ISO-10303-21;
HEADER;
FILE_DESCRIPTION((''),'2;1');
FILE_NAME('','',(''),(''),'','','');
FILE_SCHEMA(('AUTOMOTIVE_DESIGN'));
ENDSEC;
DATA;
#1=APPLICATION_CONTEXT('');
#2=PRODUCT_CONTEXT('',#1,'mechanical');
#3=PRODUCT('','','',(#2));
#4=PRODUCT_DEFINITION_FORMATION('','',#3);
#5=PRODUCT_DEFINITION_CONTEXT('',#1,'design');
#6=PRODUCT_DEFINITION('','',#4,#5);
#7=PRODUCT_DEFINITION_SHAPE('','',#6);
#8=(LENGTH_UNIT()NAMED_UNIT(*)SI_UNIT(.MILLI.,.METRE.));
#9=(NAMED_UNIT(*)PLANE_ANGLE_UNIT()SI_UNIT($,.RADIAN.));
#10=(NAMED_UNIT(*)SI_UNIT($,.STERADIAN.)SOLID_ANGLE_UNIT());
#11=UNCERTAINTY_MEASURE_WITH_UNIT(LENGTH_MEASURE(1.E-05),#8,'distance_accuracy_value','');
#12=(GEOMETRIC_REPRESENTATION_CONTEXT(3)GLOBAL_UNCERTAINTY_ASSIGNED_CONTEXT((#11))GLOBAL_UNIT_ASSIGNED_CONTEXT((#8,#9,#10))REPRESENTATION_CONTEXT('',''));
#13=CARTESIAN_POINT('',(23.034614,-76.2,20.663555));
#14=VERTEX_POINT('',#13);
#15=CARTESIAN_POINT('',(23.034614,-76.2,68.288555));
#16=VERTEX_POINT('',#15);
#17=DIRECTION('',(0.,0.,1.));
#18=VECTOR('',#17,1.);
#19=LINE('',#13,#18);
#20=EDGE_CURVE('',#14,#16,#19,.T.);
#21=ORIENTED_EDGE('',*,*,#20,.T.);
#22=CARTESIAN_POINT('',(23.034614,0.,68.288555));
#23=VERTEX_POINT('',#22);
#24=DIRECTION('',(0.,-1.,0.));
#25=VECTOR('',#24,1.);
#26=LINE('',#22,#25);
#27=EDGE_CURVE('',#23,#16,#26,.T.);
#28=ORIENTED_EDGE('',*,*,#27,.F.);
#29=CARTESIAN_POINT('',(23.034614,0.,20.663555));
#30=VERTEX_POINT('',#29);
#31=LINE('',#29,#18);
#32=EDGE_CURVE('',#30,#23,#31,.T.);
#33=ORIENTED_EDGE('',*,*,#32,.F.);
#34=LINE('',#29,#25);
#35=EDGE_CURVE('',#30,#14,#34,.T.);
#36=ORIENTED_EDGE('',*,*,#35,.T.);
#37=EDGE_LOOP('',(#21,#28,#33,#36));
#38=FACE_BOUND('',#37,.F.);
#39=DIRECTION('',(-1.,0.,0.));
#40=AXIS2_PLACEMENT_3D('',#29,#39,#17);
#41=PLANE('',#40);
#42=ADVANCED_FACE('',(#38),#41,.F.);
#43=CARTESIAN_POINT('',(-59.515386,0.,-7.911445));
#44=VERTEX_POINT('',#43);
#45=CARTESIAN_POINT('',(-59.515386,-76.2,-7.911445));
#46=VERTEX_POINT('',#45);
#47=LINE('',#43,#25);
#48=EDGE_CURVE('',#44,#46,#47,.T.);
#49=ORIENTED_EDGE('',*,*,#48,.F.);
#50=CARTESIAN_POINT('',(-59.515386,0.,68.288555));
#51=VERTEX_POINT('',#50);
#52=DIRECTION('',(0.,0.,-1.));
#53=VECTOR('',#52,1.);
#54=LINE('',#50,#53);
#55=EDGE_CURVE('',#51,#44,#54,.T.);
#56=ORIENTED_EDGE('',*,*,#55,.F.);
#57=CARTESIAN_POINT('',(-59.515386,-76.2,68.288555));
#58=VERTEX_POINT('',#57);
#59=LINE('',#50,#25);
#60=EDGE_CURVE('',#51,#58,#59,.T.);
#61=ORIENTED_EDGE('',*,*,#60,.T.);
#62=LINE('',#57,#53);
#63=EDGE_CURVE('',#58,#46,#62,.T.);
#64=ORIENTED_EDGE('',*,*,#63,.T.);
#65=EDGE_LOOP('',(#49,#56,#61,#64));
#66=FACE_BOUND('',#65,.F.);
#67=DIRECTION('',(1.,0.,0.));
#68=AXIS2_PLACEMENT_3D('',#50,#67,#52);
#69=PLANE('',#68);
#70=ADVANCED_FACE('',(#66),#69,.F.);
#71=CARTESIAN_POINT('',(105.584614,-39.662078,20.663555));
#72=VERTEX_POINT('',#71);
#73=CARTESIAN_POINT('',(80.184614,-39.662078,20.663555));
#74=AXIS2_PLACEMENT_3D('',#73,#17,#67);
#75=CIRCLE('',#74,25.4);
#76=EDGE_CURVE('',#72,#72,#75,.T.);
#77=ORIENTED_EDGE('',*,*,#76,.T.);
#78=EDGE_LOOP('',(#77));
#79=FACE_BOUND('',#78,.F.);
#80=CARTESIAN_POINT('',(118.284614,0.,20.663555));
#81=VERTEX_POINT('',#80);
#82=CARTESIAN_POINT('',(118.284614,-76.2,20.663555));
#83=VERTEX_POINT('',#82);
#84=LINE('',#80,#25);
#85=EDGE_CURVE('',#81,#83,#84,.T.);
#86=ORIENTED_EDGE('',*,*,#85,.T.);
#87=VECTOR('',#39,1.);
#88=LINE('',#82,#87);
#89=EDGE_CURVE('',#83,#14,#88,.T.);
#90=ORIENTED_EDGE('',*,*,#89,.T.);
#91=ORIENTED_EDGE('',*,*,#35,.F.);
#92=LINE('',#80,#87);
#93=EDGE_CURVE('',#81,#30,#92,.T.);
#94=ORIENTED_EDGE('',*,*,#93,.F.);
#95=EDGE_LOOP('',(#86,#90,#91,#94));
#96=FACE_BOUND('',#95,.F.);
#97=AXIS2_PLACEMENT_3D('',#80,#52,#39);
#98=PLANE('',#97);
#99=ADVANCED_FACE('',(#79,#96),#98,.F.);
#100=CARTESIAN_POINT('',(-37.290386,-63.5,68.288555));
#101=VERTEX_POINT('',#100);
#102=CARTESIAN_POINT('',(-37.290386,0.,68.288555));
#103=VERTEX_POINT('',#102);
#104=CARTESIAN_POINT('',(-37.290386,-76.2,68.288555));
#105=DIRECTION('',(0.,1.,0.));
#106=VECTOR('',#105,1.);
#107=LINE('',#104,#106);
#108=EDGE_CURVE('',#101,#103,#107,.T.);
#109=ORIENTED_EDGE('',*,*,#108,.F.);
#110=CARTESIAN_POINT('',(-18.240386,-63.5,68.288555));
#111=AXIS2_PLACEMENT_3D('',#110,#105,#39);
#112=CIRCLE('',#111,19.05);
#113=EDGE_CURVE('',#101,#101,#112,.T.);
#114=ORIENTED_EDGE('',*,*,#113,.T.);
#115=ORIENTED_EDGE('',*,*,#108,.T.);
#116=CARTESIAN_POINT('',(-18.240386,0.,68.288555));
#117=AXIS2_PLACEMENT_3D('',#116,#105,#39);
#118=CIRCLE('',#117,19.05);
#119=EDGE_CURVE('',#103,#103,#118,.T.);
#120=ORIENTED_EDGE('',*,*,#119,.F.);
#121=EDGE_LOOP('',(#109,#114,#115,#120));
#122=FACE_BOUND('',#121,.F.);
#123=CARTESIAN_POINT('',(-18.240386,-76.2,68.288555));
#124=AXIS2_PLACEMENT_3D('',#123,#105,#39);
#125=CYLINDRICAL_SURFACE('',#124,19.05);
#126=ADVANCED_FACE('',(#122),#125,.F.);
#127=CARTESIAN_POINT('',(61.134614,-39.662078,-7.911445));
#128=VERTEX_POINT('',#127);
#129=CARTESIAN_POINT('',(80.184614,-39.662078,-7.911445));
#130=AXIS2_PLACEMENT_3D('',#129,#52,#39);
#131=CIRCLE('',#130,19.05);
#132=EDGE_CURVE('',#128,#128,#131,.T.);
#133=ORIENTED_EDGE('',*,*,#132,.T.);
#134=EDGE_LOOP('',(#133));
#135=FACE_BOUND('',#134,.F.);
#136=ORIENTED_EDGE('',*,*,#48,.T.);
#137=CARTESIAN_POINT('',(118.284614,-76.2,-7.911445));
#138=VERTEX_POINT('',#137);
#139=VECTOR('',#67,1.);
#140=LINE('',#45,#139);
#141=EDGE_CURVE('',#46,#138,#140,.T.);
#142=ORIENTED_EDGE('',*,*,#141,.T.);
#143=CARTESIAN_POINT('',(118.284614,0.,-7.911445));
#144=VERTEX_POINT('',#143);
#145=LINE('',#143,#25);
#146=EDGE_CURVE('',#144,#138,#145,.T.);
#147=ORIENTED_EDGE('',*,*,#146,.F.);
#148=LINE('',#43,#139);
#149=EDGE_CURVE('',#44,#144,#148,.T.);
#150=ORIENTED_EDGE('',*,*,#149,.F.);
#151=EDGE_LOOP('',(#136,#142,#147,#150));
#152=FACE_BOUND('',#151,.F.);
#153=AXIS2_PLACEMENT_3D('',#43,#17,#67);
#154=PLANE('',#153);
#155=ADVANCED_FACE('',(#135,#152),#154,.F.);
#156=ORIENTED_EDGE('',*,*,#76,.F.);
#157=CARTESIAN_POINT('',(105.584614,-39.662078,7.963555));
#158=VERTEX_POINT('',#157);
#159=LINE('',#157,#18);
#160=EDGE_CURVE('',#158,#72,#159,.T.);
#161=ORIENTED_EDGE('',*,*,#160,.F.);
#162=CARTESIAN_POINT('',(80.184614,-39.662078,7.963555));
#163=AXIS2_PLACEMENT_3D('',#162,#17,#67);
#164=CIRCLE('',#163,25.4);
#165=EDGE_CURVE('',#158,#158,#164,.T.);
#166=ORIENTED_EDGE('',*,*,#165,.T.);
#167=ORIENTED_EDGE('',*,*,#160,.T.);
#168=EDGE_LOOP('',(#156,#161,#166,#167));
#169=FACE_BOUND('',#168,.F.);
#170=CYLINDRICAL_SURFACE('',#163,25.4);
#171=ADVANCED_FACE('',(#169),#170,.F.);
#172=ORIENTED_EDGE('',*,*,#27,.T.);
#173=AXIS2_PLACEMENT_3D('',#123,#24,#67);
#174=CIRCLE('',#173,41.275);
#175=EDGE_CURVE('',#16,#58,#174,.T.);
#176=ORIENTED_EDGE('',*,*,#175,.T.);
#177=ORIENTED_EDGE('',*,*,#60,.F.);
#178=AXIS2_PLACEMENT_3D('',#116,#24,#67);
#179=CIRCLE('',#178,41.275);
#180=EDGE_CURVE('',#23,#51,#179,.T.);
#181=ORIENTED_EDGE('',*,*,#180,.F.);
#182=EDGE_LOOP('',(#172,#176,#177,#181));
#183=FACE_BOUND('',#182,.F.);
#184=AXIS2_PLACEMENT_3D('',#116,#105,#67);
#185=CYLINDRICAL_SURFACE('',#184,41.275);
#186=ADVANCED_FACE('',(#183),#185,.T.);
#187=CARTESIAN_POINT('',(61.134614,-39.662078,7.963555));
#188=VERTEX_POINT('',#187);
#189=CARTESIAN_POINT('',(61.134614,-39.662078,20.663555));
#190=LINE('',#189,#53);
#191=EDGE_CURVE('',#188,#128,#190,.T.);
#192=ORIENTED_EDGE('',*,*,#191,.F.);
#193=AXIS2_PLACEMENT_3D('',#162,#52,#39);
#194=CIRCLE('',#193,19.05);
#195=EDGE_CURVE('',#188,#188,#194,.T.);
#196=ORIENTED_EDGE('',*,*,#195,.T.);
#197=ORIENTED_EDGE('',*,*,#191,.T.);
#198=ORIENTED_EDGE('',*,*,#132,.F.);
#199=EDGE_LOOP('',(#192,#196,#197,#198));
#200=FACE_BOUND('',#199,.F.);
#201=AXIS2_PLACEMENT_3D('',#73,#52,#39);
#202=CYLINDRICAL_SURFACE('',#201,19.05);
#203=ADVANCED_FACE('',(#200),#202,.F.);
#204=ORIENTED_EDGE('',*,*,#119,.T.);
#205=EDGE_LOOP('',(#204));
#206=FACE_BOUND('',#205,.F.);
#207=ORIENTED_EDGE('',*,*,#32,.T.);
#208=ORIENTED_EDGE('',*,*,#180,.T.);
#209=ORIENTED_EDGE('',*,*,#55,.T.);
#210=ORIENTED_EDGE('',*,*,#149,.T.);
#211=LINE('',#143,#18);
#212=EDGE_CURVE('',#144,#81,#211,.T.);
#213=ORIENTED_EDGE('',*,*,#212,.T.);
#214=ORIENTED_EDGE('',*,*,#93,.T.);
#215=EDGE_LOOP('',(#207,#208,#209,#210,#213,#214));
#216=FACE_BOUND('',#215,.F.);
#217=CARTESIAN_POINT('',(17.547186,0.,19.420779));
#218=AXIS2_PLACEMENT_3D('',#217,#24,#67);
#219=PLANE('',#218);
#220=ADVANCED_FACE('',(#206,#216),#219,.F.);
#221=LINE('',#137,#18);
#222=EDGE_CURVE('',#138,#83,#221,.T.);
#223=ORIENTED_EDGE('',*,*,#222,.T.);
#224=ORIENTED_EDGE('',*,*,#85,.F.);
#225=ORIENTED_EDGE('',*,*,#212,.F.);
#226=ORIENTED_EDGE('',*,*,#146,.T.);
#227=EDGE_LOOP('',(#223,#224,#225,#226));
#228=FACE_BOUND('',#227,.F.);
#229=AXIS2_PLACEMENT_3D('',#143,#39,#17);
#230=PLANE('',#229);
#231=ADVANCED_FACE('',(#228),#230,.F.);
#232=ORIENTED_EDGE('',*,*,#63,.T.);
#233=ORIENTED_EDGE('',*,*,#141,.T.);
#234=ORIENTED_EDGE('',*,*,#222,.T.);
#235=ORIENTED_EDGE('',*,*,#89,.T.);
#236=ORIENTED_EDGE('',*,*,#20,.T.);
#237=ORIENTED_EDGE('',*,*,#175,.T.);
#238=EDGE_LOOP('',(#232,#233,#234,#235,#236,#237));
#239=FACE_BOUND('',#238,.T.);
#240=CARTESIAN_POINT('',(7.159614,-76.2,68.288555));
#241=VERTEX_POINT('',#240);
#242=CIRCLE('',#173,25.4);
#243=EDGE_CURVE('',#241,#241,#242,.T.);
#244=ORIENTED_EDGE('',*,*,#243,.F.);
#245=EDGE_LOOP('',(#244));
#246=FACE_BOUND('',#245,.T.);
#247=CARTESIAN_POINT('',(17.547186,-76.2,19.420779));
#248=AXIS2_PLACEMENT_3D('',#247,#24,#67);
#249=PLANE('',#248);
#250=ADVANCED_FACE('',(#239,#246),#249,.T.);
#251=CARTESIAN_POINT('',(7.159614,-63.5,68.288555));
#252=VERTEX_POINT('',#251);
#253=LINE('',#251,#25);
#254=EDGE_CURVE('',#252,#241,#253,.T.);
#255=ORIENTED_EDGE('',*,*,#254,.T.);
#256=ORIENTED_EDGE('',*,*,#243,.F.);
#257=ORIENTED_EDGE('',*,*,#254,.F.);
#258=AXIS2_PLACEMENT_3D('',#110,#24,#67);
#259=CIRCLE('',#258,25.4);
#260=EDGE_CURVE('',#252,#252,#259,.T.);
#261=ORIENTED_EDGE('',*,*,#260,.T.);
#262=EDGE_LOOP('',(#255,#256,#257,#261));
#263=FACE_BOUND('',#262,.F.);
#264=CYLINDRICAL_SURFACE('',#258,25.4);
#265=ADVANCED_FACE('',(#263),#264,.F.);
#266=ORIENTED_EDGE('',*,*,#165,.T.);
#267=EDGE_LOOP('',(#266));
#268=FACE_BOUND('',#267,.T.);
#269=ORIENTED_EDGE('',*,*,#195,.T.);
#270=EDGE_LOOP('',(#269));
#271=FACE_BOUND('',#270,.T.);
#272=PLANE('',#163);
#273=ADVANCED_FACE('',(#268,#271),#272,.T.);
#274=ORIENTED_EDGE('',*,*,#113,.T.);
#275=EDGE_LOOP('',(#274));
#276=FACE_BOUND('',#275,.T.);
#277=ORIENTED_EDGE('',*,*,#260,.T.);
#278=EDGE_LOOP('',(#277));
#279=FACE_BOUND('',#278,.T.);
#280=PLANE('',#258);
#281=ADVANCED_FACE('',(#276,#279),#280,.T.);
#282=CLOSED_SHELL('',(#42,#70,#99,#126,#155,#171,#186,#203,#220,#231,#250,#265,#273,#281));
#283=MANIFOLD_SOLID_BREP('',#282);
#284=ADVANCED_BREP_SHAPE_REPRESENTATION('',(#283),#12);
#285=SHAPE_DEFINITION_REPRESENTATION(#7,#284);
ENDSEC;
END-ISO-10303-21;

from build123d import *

# Parameters (mm, degrees)
F1_DEPTH       = 76.2
F4_D           = 38.1
F4_CBORE_D     = 50.8
F4_CBORE_DEPTH = 12.7
F5_D           = 38.1
F5_CBORE_D     = 50.8
F5_CBORE_DEPTH = 12.7


with BuildPart() as f1:
    # F0 (on Front) → F1 (new body)
    with BuildSketch(Plane.XZ):
        with BuildLine():
            Line((118.284614, 20.663555), (23.034614, 20.663555))
            Line((23.034614, 20.663555), (23.034614, 68.288555))
            ThreePointArc((23.034614, 68.288555), (-18.240386, 27.013555), (-59.515386, 68.288555))
            Line((-59.515386, 68.288555), (-59.515386, 20.663555))
            Line((-59.515386, 20.663555), (-59.515386, -7.911445))
            Line((-59.515386, -7.911445), (118.284614, -7.911445))
            Line((118.284614, -7.911445), (118.284614, 20.663555))
        make_face()
        with BuildLine():
            ThreePointArc((-59.515386, 68.288555), (-18.240386, 27.013555), (23.034614, 68.288555))
            ThreePointArc((23.034614, 68.288555), (-18.240386, 109.563555), (-59.515386, 68.288555))
        make_face()
    extrude(amount=F1_DEPTH)

    # F4 (through all)
    with Locations(Plane.XZ.offset(76.2)):
        with Locations((-18.240386, 68.288555)):
            CounterBoreHole(F4_D / 2, F4_CBORE_D / 2, F4_CBORE_DEPTH)

    # F5 (through all)
    with Locations(Plane.XY.offset(20.663555)):
        with Locations((80.184614, -39.662078)):
            CounterBoreHole(F5_D / 2, F5_CBORE_D / 2, F5_CBORE_DEPTH)


solid = f1.part
